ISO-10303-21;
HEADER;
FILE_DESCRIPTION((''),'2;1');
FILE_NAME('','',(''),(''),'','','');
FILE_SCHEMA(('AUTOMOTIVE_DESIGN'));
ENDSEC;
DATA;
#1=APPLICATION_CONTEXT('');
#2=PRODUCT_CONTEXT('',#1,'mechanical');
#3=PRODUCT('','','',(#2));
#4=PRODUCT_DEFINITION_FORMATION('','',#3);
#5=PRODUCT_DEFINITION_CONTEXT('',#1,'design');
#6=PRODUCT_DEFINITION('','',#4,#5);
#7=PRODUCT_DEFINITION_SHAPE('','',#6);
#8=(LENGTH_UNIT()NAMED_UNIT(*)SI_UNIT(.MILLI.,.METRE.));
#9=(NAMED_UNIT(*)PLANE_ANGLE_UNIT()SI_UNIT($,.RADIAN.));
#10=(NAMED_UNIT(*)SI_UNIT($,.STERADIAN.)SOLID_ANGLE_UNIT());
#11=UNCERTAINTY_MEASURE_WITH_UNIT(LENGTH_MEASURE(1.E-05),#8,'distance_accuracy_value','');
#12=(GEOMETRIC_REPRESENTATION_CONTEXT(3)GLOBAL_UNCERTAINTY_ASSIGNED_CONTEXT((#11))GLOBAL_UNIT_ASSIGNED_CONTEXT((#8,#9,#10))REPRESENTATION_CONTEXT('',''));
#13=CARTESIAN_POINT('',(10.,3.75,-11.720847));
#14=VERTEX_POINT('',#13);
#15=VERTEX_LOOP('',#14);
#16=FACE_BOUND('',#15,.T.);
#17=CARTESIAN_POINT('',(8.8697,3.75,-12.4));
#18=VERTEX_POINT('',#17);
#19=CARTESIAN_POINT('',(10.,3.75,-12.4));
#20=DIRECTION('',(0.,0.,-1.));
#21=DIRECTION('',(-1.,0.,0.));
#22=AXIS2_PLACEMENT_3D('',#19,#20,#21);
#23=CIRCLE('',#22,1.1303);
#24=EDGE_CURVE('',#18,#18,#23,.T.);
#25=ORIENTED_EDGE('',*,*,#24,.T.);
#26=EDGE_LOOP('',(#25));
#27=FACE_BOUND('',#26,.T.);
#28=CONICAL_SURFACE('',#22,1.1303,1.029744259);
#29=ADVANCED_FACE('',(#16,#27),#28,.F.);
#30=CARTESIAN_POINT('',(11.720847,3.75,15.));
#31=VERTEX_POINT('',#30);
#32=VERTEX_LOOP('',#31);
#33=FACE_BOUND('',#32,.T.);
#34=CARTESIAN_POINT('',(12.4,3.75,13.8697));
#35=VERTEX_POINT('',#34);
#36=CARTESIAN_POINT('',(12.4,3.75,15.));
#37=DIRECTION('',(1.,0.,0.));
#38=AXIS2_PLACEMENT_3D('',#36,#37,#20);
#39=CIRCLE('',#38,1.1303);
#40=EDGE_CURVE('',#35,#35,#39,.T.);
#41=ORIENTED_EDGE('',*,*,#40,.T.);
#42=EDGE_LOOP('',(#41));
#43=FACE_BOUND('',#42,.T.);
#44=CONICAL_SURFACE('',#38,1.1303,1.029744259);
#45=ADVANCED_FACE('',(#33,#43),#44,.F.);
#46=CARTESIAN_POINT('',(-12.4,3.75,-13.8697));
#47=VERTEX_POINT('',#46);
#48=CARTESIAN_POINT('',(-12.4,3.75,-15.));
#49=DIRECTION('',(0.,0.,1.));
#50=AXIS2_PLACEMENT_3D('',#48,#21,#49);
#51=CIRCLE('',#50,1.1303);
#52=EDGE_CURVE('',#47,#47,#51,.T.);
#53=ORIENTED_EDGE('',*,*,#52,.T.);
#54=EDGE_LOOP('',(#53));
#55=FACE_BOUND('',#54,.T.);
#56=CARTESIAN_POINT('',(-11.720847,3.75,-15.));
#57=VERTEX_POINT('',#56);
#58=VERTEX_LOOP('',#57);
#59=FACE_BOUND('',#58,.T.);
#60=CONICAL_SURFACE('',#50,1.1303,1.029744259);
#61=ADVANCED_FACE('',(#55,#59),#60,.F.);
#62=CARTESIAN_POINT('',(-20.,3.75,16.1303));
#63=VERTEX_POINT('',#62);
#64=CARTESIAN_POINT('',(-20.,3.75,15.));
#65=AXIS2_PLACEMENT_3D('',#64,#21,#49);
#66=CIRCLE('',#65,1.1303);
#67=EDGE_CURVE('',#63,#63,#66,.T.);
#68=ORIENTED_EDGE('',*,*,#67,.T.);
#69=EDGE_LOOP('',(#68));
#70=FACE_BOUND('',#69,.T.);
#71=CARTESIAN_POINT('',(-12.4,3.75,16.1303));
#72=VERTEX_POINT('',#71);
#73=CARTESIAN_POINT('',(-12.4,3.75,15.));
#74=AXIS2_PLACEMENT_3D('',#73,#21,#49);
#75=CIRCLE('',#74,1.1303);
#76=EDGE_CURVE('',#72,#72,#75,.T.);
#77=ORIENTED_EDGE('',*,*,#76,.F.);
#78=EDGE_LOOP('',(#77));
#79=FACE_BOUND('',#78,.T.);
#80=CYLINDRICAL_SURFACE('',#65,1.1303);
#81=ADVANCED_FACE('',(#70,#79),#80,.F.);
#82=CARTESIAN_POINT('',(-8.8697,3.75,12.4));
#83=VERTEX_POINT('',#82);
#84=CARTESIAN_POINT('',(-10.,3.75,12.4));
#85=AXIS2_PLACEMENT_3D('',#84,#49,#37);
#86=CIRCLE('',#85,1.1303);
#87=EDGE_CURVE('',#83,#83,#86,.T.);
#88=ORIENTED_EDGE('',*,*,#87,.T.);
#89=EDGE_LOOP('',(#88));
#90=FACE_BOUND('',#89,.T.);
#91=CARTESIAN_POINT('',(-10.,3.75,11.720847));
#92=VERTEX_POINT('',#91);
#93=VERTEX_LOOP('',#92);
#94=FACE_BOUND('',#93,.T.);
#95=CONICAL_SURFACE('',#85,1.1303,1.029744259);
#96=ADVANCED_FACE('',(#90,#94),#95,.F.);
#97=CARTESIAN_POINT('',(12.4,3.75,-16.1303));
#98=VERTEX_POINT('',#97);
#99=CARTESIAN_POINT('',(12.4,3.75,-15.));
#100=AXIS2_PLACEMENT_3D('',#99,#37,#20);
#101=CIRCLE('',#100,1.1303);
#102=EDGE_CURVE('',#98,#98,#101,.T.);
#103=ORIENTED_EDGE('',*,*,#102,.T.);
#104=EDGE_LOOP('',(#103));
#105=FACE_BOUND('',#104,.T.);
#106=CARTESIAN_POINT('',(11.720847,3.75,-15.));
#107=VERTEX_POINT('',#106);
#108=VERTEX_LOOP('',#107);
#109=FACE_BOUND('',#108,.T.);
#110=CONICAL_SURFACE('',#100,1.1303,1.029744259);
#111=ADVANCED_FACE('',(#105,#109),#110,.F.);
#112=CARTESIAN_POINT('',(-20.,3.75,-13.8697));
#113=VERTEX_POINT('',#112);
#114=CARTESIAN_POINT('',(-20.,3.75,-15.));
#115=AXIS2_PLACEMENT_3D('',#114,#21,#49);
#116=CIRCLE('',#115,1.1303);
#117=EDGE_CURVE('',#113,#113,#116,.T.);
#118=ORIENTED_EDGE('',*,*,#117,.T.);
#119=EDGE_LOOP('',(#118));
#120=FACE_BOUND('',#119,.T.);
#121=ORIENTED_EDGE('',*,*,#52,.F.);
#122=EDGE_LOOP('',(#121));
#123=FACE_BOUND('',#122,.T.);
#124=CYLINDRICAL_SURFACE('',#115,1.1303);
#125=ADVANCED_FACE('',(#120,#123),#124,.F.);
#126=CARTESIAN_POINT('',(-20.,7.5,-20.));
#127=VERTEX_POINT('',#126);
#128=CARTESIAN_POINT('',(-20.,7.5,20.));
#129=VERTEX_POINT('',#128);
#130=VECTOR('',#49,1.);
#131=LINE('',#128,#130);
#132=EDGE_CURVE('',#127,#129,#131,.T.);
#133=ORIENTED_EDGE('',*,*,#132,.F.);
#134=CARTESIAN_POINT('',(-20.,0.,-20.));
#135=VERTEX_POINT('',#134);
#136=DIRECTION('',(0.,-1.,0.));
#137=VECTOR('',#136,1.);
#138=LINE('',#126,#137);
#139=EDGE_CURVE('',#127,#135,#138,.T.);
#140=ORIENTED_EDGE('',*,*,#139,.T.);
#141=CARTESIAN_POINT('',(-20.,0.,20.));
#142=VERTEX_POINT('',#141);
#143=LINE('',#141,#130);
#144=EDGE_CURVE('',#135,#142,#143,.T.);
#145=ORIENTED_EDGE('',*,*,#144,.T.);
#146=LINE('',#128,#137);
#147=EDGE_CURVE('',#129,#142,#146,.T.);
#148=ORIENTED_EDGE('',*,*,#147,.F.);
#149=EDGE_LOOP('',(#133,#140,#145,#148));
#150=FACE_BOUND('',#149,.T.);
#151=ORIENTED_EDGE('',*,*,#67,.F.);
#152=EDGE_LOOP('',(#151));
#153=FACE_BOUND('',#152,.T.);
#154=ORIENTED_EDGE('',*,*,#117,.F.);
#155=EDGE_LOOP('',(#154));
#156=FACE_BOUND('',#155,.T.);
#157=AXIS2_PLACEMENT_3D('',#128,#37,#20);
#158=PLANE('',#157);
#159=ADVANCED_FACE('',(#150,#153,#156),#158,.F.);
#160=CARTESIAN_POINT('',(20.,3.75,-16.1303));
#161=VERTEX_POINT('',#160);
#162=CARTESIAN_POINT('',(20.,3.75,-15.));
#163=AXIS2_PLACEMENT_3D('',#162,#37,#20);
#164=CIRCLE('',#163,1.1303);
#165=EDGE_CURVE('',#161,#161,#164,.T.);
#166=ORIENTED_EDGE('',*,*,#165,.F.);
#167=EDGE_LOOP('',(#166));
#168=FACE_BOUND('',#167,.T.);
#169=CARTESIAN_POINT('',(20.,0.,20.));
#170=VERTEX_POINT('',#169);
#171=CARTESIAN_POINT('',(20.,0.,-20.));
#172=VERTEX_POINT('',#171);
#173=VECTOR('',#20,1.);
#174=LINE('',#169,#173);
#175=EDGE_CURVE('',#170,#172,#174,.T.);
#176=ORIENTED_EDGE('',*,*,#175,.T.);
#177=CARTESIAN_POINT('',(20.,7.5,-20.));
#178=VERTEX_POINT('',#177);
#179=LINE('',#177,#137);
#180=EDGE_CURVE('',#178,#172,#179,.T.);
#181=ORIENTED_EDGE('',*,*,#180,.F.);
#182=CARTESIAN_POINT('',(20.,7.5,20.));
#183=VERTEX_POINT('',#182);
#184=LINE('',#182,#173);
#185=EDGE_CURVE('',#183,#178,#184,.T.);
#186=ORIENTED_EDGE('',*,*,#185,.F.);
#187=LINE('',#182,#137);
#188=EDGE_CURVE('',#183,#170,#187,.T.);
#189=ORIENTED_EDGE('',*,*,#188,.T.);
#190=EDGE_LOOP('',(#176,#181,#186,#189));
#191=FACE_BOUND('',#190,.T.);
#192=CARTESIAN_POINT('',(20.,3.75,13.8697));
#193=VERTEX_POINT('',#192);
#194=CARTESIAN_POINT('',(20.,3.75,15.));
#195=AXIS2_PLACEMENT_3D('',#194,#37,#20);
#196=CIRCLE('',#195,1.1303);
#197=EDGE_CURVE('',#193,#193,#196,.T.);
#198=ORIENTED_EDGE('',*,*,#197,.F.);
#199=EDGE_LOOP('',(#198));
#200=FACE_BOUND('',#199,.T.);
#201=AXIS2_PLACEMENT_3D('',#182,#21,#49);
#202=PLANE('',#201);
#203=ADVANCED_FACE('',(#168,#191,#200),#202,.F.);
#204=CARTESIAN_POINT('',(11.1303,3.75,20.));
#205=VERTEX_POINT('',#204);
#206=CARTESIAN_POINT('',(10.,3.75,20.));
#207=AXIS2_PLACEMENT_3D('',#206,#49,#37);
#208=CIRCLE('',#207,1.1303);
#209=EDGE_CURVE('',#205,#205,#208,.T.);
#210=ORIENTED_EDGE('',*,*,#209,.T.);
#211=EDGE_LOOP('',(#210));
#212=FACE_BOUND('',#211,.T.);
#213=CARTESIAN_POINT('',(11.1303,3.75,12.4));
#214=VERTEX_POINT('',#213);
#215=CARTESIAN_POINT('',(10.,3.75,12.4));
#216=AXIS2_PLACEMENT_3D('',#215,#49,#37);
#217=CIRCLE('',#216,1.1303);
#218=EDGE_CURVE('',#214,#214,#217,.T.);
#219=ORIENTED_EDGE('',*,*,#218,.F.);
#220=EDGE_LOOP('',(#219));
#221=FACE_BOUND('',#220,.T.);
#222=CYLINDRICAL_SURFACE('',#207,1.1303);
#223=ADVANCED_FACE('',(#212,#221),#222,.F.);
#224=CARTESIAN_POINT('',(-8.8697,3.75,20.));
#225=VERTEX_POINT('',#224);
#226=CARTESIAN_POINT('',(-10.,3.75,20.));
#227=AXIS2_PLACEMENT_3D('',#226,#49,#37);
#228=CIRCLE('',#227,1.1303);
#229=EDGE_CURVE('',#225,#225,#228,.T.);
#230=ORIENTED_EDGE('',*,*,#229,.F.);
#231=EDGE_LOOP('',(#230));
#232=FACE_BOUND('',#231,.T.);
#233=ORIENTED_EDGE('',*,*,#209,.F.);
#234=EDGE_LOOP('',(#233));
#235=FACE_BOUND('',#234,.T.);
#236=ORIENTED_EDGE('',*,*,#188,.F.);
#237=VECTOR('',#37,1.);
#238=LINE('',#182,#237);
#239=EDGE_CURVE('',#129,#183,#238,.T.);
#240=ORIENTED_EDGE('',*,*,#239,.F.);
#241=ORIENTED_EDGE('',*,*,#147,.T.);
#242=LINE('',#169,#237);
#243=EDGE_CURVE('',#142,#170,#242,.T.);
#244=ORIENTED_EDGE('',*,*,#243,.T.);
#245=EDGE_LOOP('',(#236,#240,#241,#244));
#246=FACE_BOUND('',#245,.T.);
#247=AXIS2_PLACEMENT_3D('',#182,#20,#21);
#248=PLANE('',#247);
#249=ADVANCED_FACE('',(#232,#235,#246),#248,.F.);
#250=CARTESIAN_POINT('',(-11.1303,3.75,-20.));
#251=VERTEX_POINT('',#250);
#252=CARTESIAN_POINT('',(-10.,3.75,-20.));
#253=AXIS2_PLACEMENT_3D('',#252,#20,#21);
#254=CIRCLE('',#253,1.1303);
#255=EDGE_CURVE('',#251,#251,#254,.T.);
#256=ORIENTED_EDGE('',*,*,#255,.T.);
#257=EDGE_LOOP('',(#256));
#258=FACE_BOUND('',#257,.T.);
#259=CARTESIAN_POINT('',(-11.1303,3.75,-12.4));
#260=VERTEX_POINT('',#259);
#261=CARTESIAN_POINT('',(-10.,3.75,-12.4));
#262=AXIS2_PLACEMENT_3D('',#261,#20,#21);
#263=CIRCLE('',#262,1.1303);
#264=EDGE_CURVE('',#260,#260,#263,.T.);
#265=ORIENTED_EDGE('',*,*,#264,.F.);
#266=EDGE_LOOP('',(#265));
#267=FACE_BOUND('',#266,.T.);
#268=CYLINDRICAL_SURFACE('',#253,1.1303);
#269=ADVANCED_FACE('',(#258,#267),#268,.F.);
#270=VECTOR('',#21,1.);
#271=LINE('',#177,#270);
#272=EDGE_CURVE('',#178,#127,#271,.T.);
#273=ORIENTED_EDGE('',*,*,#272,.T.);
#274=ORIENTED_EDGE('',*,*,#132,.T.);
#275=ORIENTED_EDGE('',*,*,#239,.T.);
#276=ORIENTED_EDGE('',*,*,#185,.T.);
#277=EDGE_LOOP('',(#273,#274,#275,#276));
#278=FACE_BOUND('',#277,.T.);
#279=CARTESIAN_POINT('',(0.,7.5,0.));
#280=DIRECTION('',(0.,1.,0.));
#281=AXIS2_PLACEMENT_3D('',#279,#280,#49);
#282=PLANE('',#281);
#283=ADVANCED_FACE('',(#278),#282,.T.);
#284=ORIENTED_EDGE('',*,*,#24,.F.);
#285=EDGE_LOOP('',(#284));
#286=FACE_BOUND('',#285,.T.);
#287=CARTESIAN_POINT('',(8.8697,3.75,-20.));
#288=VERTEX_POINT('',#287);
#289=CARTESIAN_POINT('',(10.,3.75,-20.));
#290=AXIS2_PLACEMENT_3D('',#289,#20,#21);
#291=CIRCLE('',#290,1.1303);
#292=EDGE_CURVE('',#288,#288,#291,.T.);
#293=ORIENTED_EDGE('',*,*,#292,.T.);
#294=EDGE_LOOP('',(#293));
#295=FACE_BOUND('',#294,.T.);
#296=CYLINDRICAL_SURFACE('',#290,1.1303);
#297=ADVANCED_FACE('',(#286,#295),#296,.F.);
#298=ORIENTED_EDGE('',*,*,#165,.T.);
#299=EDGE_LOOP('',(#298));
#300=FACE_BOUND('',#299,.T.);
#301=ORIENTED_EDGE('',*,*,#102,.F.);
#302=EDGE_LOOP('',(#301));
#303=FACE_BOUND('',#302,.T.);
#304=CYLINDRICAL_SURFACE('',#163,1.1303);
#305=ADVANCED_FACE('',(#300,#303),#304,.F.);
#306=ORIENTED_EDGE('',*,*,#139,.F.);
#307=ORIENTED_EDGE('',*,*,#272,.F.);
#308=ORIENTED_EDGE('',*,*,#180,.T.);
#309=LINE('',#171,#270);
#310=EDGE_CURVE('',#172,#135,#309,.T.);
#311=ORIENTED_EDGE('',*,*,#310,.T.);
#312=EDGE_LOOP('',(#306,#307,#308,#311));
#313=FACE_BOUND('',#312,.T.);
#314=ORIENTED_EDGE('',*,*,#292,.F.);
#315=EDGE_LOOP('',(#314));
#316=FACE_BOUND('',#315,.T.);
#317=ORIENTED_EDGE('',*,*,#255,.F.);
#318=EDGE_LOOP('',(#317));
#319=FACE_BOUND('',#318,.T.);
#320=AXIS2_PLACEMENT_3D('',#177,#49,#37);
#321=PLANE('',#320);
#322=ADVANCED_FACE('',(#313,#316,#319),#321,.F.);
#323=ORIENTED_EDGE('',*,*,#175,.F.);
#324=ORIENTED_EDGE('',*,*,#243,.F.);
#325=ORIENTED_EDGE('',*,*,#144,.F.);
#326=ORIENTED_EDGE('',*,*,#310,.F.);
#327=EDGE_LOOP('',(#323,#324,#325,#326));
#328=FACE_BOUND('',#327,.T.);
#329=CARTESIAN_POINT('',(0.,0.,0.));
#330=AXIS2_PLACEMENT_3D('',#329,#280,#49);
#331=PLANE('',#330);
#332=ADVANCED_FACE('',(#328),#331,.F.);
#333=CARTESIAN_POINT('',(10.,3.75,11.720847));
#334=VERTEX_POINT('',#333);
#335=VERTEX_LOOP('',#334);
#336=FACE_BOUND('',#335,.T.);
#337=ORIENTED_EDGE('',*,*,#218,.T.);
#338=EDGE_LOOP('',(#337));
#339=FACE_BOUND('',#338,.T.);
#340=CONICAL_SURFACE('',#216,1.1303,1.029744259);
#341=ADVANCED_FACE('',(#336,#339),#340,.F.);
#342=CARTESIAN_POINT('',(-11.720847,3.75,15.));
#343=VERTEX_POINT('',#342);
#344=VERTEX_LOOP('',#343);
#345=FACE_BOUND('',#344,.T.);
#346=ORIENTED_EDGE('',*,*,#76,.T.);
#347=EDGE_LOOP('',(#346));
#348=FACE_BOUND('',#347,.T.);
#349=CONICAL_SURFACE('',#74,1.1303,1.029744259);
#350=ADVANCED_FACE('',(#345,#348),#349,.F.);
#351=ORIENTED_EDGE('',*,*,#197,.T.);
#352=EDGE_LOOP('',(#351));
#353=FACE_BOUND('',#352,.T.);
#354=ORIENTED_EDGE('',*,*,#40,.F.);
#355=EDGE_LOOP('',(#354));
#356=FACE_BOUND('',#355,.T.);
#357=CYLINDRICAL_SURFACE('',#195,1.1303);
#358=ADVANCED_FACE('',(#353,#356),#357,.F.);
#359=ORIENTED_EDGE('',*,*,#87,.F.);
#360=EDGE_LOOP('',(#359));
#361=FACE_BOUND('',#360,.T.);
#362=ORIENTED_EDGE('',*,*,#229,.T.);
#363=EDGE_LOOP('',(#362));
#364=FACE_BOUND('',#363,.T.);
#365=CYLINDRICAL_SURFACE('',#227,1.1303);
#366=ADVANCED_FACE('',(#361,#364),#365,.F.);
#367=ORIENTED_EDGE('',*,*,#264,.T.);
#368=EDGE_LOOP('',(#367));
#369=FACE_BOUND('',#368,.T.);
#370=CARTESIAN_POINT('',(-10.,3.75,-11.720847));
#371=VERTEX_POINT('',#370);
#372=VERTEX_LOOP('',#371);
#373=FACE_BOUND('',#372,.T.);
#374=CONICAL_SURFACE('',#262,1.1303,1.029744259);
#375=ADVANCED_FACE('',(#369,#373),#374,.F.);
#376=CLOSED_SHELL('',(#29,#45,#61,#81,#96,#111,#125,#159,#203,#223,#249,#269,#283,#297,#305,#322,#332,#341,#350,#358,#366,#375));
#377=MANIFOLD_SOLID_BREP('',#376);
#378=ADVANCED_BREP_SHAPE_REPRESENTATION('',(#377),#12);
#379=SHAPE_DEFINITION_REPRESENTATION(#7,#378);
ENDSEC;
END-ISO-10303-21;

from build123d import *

# Parameters (mm, degrees)
SKETCH1_W                 = 40
SKETCH1_H                 = 40
BOSS_EXTRUDE1_DEPTH       = 7.5
F_4_40_TAPPED_HOLE1_D     = 2.2606
F_4_40_TAPPED_HOLE1_DEPTH = 7.6
F_4_40_TAPPED_HOLE1_TIP   = 0.679152758
F_4_40_TAPPED_HOLE2_D     = 2.2606
F_4_40_TAPPED_HOLE2_DEPTH = 7.6
F_4_40_TAPPED_HOLE2_TIP   = 0.679152758
F_4_40_TAPPED_HOLE3_D     = 2.2606
F_4_40_TAPPED_HOLE3_DEPTH = 7.6
F_4_40_TAPPED_HOLE3_TIP   = 0.679152758
F_4_40_TAPPED_HOLE4_D     = 2.2606
F_4_40_TAPPED_HOLE4_DEPTH = 7.6
F_4_40_TAPPED_HOLE4_TIP   = 0.679152758


with BuildPart() as part:
    # Sketch1 → Boss-Extrude1 (new body)
    with BuildSketch(Plane(origin=(0, 0, 0), x_dir=(1, 0, 0), z_dir=(0, 1, 0))):
        Rectangle(SKETCH1_W, SKETCH1_H)
    extrude(amount=BOSS_EXTRUDE1_DEPTH)

    # #4-40 Tapped Hole1
    with Locations(Plane.ZY.offset(20)):
        with Locations((-15, 3.75), (15, 3.75)):
            Hole(F_4_40_TAPPED_HOLE1_D / 2, depth=F_4_40_TAPPED_HOLE1_DEPTH)
            with Locations((0, 0, -(F_4_40_TAPPED_HOLE1_DEPTH + F_4_40_TAPPED_HOLE1_TIP / 2))):  # 118° drill point
                Cone(0, F_4_40_TAPPED_HOLE1_D / 2, F_4_40_TAPPED_HOLE1_TIP, mode=Mode.SUBTRACT)

    # #4-40 Tapped Hole2
    with Locations(Plane(origin=(20, 0, 0), x_dir=(0, 0, -1), z_dir=(1, 0, 0))):
        with Locations((-15, 3.75), (15, 3.75)):
            Hole(F_4_40_TAPPED_HOLE2_D / 2, depth=F_4_40_TAPPED_HOLE2_DEPTH)
            with Locations((0, 0, -(F_4_40_TAPPED_HOLE2_DEPTH + F_4_40_TAPPED_HOLE2_TIP / 2))):  # 118° drill point
                Cone(0, F_4_40_TAPPED_HOLE2_D / 2, F_4_40_TAPPED_HOLE2_TIP, mode=Mode.SUBTRACT)

    # #4-40 Tapped Hole3
    with Locations(Plane(origin=(0, 0, -20), x_dir=(-1, 0, 0), z_dir=(0, 0, -1))):
        with Locations((-10, 3.75), (10, 3.75)):
            Hole(F_4_40_TAPPED_HOLE3_D / 2, depth=F_4_40_TAPPED_HOLE3_DEPTH)
            with Locations((0, 0, -(F_4_40_TAPPED_HOLE3_DEPTH + F_4_40_TAPPED_HOLE3_TIP / 2))):  # 118° drill point
                Cone(0, F_4_40_TAPPED_HOLE3_D / 2, F_4_40_TAPPED_HOLE3_TIP, mode=Mode.SUBTRACT)

    # #4-40 Tapped Hole4
    with Locations(Plane.XY.offset(20)):
        with Locations((-10, 3.75), (10, 3.75)):
            Hole(F_4_40_TAPPED_HOLE4_D / 2, depth=F_4_40_TAPPED_HOLE4_DEPTH)
            with Locations((0, 0, -(F_4_40_TAPPED_HOLE4_DEPTH + F_4_40_TAPPED_HOLE4_TIP / 2))):  # 118° drill point
                Cone(0, F_4_40_TAPPED_HOLE4_D / 2, F_4_40_TAPPED_HOLE4_TIP, mode=Mode.SUBTRACT)


solid = part.part
